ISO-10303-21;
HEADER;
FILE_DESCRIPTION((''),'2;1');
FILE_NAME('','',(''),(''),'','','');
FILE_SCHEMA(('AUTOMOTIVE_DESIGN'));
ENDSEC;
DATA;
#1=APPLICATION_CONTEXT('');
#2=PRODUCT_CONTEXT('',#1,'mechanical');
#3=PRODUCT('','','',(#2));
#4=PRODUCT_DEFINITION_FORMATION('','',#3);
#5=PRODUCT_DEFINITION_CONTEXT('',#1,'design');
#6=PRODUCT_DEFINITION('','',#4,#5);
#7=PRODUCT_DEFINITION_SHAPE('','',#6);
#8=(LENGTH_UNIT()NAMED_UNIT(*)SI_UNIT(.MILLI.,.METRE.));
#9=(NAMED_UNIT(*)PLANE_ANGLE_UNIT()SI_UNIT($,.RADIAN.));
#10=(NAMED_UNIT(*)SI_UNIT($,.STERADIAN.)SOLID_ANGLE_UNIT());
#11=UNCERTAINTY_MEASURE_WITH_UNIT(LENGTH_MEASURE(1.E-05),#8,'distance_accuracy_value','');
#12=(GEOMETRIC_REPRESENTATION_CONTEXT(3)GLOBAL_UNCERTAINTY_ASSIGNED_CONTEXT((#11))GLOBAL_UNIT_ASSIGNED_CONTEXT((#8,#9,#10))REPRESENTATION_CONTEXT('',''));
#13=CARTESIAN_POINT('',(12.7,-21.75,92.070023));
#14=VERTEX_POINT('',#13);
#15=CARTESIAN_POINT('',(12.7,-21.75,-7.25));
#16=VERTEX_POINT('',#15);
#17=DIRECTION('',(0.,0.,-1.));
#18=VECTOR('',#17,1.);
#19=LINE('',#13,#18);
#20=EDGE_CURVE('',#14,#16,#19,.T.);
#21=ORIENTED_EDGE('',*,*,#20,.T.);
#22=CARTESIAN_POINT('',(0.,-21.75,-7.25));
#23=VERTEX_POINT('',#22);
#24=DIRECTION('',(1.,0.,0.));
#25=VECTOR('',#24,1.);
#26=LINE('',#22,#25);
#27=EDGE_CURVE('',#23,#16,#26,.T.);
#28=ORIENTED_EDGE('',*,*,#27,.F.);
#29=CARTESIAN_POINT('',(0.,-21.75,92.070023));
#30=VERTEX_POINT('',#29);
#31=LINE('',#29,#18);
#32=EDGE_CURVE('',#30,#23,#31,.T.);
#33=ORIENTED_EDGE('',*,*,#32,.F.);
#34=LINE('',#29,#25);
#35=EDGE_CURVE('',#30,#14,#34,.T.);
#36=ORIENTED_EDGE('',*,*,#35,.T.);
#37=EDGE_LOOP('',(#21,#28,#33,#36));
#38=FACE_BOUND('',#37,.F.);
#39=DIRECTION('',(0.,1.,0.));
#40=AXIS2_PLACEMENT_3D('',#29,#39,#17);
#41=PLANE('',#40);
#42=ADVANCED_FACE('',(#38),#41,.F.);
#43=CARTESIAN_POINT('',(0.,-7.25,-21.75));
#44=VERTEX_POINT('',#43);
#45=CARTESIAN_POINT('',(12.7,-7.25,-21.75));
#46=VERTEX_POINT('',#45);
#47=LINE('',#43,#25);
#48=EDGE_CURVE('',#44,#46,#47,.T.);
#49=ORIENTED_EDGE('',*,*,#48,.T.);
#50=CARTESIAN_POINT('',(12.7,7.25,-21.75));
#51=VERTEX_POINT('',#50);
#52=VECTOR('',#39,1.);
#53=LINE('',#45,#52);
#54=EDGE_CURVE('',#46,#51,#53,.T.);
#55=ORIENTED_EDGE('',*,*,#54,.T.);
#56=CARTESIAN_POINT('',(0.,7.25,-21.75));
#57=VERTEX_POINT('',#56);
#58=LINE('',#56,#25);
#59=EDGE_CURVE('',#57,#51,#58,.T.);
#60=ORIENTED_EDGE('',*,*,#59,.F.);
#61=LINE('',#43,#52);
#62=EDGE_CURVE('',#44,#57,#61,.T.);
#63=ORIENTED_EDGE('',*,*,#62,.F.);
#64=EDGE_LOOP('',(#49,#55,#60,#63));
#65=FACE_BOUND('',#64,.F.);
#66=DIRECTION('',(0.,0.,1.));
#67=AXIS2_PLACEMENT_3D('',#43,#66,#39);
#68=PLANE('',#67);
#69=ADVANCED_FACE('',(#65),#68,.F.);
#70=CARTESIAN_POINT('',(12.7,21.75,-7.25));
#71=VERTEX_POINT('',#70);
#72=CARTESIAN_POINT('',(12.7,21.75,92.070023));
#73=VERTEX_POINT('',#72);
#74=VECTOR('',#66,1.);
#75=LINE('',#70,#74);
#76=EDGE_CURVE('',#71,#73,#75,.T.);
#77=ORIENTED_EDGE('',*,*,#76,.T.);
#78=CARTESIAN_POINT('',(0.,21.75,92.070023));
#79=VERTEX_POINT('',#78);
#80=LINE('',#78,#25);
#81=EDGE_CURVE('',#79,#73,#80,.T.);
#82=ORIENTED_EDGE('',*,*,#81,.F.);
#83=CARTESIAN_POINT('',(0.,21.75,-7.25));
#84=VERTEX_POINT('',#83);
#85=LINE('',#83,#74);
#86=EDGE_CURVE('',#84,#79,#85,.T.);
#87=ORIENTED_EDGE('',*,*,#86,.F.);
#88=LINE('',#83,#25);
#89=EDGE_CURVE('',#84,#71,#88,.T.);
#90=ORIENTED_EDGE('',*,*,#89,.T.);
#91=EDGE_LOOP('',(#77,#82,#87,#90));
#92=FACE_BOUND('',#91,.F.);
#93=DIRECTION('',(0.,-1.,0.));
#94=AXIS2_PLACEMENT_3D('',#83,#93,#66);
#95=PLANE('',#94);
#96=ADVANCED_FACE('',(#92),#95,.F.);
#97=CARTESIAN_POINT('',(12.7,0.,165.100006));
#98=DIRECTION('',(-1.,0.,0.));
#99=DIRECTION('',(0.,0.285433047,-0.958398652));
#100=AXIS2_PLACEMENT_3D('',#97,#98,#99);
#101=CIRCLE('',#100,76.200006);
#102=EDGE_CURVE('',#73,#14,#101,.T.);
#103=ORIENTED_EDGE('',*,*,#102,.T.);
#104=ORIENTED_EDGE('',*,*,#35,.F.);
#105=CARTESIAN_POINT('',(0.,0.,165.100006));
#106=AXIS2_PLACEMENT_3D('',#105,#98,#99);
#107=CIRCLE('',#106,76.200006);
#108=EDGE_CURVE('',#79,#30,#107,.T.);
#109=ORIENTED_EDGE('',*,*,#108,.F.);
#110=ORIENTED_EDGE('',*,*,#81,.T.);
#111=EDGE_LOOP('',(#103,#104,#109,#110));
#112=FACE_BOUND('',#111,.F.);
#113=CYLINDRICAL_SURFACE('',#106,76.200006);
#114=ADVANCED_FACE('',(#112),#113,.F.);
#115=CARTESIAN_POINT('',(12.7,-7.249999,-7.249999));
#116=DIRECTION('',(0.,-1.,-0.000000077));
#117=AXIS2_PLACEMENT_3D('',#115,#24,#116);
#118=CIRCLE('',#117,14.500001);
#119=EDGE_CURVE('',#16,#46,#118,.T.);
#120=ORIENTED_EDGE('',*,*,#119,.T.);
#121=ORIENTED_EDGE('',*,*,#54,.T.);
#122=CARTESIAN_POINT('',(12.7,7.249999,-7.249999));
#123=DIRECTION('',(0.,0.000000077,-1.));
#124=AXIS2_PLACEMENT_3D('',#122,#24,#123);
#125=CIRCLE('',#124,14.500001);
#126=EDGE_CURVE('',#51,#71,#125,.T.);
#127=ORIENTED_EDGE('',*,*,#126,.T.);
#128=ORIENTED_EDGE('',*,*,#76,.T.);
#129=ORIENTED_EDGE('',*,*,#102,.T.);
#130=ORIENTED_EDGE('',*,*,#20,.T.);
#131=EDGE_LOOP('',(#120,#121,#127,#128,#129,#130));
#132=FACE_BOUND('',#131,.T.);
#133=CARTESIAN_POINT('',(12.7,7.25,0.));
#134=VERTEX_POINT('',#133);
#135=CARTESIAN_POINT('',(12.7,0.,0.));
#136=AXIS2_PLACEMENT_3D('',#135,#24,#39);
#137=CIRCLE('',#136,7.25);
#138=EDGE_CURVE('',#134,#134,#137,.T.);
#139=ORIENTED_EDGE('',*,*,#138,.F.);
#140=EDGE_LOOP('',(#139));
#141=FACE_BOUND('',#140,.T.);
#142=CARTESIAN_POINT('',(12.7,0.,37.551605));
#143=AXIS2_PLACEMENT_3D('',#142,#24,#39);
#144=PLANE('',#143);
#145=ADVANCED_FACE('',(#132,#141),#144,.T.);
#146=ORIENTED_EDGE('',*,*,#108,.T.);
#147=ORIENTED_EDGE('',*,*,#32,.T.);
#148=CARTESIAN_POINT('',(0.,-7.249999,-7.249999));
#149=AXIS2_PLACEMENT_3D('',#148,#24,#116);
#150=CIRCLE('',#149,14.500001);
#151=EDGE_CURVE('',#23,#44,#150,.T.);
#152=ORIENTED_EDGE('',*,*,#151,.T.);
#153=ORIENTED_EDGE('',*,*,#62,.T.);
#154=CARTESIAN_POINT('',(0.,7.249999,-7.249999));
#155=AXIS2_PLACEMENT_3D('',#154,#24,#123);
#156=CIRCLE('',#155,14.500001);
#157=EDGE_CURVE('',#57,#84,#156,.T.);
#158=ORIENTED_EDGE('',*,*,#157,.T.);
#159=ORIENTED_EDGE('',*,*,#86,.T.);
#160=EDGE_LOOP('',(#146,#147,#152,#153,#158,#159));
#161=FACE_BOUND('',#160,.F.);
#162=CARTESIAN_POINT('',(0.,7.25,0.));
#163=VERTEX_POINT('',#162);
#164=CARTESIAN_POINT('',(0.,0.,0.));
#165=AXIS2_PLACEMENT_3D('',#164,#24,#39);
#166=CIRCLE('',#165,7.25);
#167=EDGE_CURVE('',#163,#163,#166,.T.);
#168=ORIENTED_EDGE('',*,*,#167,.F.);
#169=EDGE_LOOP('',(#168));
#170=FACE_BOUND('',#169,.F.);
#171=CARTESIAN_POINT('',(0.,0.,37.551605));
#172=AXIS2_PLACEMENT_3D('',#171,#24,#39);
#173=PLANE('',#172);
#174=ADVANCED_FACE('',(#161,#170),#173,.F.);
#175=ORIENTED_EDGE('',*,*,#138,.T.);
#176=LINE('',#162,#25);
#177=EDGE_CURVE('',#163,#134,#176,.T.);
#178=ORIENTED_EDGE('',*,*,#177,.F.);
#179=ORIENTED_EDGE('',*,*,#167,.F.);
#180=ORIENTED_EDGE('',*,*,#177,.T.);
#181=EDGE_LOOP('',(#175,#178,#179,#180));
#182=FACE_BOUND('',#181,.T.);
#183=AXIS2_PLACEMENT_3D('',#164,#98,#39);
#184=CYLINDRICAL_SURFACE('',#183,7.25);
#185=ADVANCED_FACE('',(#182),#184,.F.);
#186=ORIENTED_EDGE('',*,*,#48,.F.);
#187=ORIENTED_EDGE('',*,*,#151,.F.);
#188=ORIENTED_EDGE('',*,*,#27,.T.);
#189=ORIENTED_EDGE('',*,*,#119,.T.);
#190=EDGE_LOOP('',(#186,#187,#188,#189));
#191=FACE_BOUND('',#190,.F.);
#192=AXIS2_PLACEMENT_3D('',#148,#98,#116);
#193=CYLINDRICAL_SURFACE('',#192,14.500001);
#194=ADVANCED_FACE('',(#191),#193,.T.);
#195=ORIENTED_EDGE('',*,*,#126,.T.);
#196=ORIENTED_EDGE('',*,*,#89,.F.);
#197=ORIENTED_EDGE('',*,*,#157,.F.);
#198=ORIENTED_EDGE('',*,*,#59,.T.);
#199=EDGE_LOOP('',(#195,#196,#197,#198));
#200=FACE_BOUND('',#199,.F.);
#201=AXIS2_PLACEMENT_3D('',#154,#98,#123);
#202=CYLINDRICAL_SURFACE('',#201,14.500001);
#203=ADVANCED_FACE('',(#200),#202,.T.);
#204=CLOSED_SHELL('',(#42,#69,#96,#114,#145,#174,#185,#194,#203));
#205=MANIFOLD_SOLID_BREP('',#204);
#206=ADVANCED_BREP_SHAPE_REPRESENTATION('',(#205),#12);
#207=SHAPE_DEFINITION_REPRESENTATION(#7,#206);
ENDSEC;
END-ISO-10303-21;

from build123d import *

# Parameters (mm, degrees)
F0_R     = 7.25
F1_DEPTH = 12.7


with BuildPart() as f1:
    # F0 (on Right) → F1 (new body)
    with BuildSketch(Plane.YZ):
        with BuildLine():
            ThreePointArc((-21.75, -7.25), (-17.503048, -17.503048), (-7.25, -21.75))
            Line((-7.25, -21.75), (7.25, -21.75))
            ThreePointArc((7.25, -21.75), (17.503048, -17.503048), (21.75, -7.25))
            Line((21.75, -7.25), (21.75, 92.070023))
            ThreePointArc((21.75, 92.070023), (0, 88.9), (-21.75, 92.070023))
            Line((-21.75, 92.070023), (-21.75, -7.25))
        make_face()
        Circle(F0_R, mode=Mode.SUBTRACT)
    extrude(amount=F1_DEPTH)


solid = f1.part
